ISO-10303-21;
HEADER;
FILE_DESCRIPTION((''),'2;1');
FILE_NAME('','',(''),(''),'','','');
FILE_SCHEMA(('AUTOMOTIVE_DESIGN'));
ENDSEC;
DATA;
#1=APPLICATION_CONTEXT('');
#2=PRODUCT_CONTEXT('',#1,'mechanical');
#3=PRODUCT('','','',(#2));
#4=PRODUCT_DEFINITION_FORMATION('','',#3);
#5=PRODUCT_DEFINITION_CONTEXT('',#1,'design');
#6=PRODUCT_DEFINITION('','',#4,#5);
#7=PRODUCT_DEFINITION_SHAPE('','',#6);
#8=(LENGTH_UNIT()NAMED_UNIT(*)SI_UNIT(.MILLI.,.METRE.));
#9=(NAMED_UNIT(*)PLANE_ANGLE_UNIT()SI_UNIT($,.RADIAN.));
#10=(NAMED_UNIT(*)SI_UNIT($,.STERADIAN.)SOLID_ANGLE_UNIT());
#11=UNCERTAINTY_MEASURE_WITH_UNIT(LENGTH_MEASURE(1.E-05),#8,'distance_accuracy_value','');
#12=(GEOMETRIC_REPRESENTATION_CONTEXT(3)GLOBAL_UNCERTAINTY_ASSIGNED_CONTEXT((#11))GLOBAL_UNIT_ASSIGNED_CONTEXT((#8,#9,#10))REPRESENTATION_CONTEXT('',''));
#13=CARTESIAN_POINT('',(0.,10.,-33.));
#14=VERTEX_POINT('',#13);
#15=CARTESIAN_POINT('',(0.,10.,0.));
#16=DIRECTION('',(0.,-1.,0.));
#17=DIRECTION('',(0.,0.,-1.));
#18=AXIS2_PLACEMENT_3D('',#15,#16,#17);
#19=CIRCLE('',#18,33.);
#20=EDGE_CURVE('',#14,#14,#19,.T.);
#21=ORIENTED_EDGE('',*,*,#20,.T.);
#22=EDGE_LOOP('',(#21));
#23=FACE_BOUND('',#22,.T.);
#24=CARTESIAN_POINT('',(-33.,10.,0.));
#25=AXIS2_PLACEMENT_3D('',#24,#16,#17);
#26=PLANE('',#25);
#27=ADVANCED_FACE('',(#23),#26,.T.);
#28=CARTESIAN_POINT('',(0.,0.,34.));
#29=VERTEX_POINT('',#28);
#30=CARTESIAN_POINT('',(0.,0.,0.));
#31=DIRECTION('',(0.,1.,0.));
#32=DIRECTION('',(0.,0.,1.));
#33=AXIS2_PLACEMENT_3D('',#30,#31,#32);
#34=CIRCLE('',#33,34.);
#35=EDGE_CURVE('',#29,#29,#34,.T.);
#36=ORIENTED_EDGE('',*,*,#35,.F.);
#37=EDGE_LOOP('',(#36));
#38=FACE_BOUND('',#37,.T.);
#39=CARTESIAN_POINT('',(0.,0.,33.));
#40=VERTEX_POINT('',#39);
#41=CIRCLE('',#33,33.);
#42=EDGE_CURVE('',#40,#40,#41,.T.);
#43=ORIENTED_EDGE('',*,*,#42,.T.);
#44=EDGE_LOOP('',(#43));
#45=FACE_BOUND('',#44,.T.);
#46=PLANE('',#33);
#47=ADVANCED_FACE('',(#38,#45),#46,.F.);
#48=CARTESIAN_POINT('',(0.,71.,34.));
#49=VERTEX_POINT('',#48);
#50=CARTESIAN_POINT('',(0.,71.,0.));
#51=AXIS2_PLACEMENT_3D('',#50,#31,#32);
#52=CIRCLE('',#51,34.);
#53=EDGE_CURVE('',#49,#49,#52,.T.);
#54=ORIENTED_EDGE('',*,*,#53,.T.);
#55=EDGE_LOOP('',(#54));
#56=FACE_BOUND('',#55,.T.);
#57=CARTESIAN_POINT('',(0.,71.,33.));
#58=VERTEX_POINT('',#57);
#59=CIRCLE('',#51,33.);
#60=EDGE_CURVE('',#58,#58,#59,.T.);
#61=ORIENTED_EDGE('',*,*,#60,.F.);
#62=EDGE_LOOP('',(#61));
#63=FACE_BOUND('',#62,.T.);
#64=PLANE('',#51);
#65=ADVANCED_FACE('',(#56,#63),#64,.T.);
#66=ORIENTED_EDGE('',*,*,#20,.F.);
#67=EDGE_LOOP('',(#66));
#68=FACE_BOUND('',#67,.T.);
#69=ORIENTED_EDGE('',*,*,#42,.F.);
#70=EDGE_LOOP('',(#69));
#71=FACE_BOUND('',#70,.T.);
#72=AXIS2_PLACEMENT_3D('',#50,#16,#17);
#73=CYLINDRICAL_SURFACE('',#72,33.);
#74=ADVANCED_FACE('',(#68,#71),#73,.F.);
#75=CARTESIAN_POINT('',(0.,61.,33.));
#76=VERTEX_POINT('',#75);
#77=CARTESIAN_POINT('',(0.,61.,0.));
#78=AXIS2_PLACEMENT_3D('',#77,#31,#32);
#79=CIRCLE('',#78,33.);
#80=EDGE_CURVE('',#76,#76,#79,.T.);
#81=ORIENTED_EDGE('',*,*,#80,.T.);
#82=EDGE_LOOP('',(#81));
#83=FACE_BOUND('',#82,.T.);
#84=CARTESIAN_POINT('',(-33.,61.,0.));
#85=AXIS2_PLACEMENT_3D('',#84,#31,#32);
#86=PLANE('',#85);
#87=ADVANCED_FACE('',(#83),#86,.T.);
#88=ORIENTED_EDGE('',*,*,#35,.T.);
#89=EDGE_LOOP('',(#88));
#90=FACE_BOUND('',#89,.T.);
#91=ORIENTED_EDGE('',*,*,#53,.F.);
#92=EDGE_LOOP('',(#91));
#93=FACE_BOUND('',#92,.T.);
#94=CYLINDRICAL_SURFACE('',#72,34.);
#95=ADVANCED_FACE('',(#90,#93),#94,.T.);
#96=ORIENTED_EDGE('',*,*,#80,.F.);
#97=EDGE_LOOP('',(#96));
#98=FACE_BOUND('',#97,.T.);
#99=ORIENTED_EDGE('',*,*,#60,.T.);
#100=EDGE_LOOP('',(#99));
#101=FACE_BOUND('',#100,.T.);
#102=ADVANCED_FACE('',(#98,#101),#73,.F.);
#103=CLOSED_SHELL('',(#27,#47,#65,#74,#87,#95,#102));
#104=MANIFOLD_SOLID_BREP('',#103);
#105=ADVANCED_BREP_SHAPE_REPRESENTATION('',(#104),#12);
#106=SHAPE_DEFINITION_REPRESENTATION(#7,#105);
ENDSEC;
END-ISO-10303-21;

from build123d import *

# Parameters (mm, degrees)
SKETCH1_R           = 34
SKETCH1_R_2         = 33
BOSS_EXTRUDE1_DEPTH = 71
SKETCH2_W           = 33
SKETCH2_H           = 51


with BuildPart() as part:
    # Sketch1 → Boss-Extrude1 (new body)
    with BuildSketch(Plane(origin=(0, 0, 0), x_dir=(1, 0, 0), z_dir=(0, 1, 0))):
        Circle(SKETCH1_R)
        Circle(SKETCH1_R_2, mode=Mode.SUBTRACT)
    extrude(amount=BOSS_EXTRUDE1_DEPTH)

    # Sketch2 → Revolve1 (revolve)
    with BuildSketch(Plane.XY):
        with Locations((-16.5, 35.5)):
            Rectangle(SKETCH2_W, SKETCH2_H)
    revolve(axis=Axis((0, 61, 0), (0, -1, 0)))


solid = part.part
